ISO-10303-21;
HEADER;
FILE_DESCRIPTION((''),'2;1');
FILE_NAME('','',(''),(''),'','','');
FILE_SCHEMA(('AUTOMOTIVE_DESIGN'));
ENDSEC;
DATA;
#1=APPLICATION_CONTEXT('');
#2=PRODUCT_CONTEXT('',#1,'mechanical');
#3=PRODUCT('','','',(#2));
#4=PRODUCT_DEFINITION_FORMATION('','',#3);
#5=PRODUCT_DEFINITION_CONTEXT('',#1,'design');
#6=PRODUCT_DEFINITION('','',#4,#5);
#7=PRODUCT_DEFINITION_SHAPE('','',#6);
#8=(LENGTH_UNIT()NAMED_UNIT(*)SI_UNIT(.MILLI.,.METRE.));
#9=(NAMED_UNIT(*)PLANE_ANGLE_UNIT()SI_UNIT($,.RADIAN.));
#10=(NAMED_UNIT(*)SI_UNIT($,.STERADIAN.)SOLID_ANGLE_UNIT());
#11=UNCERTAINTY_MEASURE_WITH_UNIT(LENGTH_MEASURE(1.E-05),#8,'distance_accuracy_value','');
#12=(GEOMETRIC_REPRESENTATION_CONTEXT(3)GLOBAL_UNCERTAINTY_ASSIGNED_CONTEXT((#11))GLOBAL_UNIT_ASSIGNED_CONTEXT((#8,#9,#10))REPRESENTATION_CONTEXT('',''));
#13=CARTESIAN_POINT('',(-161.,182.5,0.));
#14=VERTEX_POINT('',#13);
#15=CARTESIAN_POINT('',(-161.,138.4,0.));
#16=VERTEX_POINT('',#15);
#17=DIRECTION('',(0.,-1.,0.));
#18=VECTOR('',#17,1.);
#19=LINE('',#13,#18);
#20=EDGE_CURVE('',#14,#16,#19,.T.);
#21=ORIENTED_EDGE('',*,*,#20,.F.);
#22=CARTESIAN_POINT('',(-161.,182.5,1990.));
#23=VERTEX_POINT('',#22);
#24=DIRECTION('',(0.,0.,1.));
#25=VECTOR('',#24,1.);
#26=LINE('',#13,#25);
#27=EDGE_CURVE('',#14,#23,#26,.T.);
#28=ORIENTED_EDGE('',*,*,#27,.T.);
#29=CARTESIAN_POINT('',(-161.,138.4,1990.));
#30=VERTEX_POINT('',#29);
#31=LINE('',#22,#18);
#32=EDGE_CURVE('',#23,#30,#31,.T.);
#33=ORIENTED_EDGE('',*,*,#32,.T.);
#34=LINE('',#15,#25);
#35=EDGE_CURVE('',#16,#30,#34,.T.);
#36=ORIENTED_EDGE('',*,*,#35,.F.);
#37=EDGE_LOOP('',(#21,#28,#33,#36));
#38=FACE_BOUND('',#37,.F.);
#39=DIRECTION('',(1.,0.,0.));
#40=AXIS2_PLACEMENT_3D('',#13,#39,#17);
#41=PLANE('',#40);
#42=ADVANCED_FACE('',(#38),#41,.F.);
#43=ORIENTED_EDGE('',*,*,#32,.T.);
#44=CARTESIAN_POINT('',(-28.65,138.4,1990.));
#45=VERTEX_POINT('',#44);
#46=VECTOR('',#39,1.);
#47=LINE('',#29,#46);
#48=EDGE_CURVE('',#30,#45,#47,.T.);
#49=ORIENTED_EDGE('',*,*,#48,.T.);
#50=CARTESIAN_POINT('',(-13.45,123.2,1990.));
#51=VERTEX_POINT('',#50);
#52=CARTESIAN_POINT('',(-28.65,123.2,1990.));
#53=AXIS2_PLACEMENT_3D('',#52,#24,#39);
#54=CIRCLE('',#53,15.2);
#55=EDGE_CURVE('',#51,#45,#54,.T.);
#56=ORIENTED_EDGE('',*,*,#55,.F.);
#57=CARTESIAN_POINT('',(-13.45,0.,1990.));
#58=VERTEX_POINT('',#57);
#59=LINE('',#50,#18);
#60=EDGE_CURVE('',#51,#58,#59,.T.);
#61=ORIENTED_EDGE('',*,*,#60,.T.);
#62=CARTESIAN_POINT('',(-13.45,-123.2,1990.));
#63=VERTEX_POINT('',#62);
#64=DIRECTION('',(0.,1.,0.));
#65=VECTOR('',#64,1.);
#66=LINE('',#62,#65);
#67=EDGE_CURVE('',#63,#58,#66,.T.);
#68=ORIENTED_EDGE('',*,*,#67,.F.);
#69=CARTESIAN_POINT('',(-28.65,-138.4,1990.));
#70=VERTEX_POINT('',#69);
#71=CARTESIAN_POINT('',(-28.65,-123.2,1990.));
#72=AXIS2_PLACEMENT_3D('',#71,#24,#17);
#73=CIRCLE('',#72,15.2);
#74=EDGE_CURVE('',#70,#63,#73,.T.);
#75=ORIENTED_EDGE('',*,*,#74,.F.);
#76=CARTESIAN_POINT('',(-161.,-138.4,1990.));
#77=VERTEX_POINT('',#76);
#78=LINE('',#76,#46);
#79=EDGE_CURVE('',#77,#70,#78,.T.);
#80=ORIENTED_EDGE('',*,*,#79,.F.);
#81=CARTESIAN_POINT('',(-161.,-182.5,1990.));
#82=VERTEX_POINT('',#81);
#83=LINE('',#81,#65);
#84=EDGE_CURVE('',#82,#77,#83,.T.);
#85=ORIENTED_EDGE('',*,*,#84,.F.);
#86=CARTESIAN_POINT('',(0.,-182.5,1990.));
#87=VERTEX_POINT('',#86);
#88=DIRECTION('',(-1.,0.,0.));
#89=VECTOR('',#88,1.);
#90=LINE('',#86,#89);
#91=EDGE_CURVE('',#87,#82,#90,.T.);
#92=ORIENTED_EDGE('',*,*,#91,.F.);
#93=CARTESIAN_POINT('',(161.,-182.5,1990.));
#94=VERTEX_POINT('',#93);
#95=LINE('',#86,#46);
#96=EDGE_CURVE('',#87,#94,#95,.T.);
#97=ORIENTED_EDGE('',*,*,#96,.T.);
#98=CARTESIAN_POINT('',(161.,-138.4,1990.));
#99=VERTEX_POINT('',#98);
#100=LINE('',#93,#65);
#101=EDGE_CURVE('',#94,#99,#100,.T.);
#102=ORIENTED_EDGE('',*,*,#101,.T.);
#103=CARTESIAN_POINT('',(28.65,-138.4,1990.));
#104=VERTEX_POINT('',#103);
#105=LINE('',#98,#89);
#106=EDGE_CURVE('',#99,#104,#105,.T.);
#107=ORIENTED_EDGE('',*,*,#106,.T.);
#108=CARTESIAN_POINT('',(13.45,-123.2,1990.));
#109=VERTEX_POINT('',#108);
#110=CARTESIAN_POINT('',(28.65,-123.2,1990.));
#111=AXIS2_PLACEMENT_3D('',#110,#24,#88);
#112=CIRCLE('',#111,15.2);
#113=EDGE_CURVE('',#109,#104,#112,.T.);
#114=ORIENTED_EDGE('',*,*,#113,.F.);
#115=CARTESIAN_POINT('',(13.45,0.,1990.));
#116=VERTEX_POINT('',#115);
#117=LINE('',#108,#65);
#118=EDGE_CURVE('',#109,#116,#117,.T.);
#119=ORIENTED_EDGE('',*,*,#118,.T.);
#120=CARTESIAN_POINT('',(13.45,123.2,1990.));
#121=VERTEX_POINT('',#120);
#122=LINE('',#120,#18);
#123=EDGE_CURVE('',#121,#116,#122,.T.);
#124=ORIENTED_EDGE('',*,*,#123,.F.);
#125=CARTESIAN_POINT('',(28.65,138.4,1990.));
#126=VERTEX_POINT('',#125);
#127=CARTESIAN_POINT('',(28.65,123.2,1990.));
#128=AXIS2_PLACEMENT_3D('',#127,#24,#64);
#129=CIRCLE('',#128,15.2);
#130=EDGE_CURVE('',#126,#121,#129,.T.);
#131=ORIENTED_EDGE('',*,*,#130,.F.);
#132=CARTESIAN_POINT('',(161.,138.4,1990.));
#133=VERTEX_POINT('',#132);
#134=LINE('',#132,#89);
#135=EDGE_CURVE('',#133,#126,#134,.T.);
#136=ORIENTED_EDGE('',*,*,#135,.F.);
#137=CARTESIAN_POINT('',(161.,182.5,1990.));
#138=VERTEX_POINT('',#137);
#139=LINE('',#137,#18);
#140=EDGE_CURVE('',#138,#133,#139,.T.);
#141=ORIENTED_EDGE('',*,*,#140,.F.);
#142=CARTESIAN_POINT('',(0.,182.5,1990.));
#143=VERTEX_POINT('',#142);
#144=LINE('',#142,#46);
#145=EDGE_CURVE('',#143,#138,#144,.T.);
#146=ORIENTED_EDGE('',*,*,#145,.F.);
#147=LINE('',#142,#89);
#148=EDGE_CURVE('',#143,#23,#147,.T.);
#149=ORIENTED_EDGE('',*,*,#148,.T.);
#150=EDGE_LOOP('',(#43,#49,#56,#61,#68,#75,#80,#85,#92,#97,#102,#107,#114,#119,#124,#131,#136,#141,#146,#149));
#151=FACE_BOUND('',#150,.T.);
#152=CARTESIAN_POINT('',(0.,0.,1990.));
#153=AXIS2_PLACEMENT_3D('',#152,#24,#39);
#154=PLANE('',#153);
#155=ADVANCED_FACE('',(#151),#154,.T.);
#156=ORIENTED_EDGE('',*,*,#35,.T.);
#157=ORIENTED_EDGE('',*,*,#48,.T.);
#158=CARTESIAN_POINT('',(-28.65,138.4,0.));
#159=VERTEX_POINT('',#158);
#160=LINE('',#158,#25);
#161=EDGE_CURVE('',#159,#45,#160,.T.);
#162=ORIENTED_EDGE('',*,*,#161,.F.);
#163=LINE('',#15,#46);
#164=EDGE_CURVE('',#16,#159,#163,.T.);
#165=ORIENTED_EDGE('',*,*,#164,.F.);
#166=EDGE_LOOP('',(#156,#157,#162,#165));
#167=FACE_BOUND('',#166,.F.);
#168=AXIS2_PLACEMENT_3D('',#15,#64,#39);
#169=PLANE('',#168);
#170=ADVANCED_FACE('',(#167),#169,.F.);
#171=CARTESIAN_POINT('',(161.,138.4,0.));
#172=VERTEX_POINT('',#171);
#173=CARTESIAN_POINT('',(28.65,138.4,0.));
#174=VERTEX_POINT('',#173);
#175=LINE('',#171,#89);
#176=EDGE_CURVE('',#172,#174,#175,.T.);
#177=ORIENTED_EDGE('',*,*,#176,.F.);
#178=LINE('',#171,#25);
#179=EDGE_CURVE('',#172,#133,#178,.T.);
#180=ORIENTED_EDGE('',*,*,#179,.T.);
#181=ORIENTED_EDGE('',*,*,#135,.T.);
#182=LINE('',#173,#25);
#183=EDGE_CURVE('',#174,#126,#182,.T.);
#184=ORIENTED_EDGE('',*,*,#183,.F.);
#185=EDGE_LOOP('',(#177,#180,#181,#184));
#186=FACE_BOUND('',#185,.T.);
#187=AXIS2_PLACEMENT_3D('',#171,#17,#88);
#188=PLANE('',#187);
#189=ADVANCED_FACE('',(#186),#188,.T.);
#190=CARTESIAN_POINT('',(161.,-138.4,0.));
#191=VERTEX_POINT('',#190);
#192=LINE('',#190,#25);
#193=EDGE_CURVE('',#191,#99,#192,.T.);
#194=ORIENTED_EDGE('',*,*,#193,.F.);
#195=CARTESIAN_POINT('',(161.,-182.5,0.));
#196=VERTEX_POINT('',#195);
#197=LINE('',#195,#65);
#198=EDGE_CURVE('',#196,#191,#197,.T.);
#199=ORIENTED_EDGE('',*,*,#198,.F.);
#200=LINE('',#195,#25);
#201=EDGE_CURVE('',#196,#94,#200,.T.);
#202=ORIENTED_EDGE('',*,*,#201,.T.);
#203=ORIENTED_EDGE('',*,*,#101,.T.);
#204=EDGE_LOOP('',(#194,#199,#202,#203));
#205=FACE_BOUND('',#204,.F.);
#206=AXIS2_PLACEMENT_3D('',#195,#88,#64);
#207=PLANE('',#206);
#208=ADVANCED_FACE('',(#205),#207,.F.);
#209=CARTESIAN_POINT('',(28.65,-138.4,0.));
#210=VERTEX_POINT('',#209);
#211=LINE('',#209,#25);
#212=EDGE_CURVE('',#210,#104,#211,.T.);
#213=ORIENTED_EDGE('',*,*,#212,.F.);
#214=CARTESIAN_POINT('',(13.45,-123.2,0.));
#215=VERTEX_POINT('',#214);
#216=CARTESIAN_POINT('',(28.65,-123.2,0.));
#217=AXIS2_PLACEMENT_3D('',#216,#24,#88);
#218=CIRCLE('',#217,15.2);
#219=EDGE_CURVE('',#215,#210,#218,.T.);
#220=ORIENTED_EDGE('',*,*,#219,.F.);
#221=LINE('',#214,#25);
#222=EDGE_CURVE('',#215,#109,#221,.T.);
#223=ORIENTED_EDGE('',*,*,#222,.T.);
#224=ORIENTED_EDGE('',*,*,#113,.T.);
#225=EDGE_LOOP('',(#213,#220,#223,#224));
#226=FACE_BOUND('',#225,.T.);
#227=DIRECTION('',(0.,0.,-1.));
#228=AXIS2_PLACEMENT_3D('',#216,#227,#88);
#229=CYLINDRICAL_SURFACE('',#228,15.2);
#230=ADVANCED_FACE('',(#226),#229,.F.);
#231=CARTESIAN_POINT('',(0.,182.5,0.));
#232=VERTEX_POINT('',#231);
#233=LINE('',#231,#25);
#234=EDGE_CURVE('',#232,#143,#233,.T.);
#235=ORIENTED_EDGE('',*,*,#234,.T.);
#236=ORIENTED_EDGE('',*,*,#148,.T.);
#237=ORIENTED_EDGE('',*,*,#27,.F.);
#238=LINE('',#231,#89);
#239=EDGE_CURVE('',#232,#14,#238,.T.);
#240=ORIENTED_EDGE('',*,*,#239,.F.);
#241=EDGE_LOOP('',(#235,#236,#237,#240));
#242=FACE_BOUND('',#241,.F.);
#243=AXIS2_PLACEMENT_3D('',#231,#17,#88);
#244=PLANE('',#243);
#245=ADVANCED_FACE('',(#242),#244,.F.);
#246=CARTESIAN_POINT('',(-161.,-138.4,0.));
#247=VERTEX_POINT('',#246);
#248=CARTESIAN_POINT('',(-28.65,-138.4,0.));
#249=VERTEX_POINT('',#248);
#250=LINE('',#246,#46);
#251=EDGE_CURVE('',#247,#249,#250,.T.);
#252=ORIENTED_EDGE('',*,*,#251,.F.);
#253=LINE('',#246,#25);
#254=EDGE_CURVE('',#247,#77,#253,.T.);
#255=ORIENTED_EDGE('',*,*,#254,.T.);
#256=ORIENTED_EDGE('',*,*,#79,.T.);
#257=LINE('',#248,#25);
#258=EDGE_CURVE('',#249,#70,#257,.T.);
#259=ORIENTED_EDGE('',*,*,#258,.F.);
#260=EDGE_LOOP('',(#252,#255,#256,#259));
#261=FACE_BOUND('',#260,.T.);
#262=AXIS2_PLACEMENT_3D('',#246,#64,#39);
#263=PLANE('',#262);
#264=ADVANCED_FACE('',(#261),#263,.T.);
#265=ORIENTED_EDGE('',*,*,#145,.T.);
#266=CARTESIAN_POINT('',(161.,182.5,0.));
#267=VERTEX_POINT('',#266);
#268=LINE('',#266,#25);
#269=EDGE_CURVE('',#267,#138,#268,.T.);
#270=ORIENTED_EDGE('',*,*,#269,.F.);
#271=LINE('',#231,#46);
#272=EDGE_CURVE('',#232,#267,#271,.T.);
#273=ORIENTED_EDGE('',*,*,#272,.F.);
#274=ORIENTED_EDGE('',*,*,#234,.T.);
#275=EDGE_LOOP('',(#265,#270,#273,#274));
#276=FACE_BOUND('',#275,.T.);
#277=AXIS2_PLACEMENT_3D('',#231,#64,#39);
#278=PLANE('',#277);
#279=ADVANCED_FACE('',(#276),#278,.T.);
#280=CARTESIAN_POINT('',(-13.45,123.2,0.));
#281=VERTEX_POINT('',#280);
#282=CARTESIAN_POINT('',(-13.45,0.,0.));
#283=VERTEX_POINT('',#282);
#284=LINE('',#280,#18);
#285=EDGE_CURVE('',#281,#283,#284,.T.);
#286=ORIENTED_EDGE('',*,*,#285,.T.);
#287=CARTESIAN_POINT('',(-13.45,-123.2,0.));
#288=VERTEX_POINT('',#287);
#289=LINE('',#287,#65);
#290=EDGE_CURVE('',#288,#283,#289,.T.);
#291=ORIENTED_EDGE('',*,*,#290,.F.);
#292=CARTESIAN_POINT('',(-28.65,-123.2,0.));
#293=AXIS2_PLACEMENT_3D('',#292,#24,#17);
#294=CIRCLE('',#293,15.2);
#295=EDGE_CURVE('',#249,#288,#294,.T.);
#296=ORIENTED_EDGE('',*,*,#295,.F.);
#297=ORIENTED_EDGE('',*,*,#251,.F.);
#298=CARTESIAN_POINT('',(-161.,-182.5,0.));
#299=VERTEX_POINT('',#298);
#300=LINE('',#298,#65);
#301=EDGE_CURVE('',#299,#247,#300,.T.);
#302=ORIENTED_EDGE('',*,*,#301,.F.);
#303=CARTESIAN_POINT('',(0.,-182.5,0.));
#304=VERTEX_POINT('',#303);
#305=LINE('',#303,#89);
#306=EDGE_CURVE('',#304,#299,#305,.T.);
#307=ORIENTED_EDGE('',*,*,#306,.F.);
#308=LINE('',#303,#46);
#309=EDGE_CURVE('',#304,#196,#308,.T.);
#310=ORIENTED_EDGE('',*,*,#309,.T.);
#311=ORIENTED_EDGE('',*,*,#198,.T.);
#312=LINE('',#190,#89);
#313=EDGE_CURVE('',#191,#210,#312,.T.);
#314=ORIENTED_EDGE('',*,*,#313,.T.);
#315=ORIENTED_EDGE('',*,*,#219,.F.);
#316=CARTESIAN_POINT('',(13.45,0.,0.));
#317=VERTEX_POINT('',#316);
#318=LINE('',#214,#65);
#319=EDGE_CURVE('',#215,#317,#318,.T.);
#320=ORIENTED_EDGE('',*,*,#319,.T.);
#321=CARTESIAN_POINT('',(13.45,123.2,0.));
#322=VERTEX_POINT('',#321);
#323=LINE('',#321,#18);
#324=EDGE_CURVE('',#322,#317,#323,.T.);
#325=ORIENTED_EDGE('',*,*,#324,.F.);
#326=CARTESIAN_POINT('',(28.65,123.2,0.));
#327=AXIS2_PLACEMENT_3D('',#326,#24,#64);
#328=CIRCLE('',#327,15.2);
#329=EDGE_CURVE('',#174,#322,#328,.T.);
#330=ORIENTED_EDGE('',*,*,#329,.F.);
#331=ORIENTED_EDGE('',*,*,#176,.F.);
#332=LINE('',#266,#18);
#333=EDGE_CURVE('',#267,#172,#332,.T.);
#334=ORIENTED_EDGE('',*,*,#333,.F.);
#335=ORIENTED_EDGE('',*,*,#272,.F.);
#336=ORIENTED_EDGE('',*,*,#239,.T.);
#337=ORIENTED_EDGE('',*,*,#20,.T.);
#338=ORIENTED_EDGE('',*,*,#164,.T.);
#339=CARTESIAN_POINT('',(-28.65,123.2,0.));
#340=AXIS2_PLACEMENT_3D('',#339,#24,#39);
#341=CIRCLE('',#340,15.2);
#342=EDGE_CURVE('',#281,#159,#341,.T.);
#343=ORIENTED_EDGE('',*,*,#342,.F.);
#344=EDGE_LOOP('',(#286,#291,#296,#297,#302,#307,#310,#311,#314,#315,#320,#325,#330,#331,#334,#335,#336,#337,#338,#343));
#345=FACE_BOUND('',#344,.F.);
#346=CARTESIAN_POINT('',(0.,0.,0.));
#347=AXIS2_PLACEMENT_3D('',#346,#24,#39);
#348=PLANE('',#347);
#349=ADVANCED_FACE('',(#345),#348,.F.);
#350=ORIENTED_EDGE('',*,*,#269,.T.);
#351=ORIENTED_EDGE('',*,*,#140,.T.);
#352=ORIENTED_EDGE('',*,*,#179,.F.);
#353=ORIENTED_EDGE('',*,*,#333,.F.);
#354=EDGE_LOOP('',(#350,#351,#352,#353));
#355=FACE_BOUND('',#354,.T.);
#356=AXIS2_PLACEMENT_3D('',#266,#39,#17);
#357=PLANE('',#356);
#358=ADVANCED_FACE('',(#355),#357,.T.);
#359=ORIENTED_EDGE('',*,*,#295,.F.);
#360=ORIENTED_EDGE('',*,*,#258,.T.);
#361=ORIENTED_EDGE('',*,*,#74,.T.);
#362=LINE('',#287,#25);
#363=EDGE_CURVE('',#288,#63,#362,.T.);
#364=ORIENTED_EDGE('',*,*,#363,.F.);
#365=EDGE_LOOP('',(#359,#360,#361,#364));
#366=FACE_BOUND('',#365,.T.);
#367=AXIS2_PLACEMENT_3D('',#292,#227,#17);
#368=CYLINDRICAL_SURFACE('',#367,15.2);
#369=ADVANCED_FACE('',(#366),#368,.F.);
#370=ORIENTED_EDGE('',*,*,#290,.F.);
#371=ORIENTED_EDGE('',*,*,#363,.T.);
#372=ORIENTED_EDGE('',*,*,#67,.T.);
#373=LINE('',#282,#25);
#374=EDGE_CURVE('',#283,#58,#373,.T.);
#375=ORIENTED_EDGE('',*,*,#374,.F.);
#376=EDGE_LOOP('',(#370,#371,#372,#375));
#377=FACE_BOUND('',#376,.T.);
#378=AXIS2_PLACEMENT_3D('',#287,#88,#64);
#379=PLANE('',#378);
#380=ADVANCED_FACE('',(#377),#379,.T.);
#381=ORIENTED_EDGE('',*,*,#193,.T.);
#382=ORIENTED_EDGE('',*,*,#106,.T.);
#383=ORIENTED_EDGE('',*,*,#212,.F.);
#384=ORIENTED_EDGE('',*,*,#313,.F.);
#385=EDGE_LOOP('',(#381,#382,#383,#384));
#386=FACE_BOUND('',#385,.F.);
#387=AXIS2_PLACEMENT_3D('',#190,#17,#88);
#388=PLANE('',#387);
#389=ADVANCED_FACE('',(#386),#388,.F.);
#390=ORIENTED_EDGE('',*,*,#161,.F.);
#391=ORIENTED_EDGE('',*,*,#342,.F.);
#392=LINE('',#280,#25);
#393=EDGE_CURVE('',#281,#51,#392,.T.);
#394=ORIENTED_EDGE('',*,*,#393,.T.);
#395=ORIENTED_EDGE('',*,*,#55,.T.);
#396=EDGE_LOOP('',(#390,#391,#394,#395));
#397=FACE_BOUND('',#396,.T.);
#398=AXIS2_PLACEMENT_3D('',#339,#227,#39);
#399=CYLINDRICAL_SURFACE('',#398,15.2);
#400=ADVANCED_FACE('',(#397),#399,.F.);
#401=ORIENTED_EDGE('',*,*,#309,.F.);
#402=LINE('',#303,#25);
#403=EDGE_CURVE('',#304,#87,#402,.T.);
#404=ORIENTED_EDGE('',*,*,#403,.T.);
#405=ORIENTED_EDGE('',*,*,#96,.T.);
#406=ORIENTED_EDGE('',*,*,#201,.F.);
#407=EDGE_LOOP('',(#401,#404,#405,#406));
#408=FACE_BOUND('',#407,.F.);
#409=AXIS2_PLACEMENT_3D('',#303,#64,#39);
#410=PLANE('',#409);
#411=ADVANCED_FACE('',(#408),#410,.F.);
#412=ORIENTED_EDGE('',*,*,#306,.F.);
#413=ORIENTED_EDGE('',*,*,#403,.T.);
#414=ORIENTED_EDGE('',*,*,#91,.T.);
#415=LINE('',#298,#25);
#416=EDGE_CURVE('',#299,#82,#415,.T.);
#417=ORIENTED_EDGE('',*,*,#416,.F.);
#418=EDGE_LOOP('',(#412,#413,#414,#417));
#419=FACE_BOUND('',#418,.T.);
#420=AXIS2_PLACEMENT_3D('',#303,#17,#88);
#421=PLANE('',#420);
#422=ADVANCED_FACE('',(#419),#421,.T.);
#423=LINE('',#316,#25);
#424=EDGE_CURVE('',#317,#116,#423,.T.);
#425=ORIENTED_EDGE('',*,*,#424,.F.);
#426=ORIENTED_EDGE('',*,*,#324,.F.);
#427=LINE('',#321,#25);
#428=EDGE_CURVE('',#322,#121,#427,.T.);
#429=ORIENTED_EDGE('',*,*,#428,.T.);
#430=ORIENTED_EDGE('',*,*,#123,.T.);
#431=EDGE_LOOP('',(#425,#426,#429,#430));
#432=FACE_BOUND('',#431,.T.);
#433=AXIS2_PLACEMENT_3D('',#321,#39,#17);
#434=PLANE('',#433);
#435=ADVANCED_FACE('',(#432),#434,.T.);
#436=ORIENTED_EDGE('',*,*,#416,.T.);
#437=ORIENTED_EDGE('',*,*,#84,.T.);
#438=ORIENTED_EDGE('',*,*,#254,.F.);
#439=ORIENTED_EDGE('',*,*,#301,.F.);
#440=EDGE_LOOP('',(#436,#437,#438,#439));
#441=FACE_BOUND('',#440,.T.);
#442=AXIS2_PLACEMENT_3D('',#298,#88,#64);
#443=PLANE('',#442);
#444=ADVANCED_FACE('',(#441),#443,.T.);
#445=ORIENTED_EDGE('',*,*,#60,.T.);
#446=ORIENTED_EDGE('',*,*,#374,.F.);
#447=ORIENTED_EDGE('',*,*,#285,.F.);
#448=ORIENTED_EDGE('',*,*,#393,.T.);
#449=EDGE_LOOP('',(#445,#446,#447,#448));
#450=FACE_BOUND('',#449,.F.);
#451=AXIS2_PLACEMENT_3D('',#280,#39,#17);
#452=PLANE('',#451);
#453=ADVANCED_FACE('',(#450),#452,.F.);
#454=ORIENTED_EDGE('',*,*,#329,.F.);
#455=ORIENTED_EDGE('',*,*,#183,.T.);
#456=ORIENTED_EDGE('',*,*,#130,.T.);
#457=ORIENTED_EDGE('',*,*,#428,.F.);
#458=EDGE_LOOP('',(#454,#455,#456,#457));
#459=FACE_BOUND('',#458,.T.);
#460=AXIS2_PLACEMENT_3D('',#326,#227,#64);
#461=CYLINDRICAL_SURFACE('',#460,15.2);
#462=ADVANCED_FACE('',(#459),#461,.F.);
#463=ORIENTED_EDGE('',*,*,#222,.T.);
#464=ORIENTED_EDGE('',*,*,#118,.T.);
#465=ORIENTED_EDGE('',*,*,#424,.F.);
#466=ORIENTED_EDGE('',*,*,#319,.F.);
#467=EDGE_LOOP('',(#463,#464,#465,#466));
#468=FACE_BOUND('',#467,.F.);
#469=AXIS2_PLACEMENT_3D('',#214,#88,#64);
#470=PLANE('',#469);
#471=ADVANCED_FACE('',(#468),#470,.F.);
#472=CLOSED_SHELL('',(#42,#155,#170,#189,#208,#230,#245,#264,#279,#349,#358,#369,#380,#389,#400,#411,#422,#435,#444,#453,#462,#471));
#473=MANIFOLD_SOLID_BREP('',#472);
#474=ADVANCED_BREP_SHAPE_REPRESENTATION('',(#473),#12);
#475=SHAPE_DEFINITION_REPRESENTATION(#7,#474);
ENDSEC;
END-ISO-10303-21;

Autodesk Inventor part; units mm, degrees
ref_plane "YZ Plane" through (0, 0, 0) normal (1, 0, 0) x (0, 1, 0)
ref_plane "Start plane" through (0, 0, 0) normal (0, 0, 1) x (1, 0, 0)
ref_plane "End plane" through (0, 0, 1990) normal (0, 0, 1) x (1, 0, 0)
sketch "Sketch" plane through (0, 0, 0) normal (0, 0, 1) x (1, 0, 0)
  line L0 (-161, -182.5) -> (-161, -138.4)
  line L1 (-161, -138.4) -> (-28.65, -138.4)
  line L2 (-13.45, -123.2) -> (-13.45, 0)
  line L3 (-13.45, 0) -> (0, 0) construction
  line L4 (0, 0) -> (0, -182.5) construction
  line L5 (0, -182.5) -> (-161, -182.5)
  line L6 (-60, 0) -> (80, 0) construction
  line L7 (0, -60) -> (0, 80) construction
  line L8 (161, -182.5) -> (161, -138.4)
  line L9 (161, -138.4) -> (28.65, -138.4)
  line L10 (13.45, -123.2) -> (13.45, 0)
  line L11 (13.45, 0) -> (0, 0) construction
  line L12 (0, -182.5) -> (161, -182.5)
  line L13 (-161, 182.5) -> (-161, 138.4)
  line L14 (-161, 138.4) -> (-28.65, 138.4)
  line L15 (-13.45, 123.2) -> (-13.45, 0)
  line L16 (0, 182.5) -> (-161, 182.5)
  line L17 (161, 182.5) -> (161, 138.4)
  line L18 (161, 138.4) -> (28.65, 138.4)
  line L19 (0, 182.5) -> (161, 182.5)
  line L20 (13.45, 123.2) -> (13.45, 0)
  arc A0 (-13.45, 123.2) -> (-28.65, 138.4) centre (-28.65, 123.2) ccw
  arc A1 (28.65, 138.4) -> (13.45, 123.2) centre (28.65, 123.2) ccw
  arc A2 (13.45, -123.2) -> (28.65, -138.4) centre (28.65, -123.2) ccw
  arc A3 (-28.65, -138.4) -> (-13.45, -123.2) centre (-28.65, -123.2) ccw
  line L21 (0, 108) -> (0, -88) construction
  line L22 (-88, 0) -> (108, 0) construction
  point P0 (-13.45, -138.4)
  point P1 (13.45, -138.4)
  point P2 (-13.45, 138.4)
  point P3 (13.45, 138.4)
  dimension "d1" = 182.5
  dimension "d2" = 44.1
  dimension "d3" = 161
  dimension "d4" = 13.45
  dimension "d10" = 15.2
extrude "Body" add sketch "Sketch" along normal up to surface (1990 mm away) from surface at 0
sketch "Sketch4" plane through (0, 0, 0) normal (0, 0, 1) x (1, 0, 0)
  line L0 (0, 0) -> (10, 0)
ref_plane "Work Plane3" through (0, 0, 0) normal (0, -1, 0) x (1, 0, 0)
sketch "Sketch5" plane through (0, 0, 0) normal (0, -1, 0) x (1, 0, 0)
  line L0 (-2, 0) -> (12, 0) projected
  line L1 (-2, 1990) -> (12, 1990) projected
  dimension "d14" = 1990
equation "\"d1\" = 0.5 * G_H"
equation "\"d2\" = G_T1"
equation "\"d3\" = 0.5 * G_W"
equation "\"d4\" = 0.5 * G_T"
equation "\"d10\" = G_IR"
equation "\"d5\" = G_L"
equation "\"G_W\" = 322"
equation "\"G_H\" = 365"
equation "\"G_T\" = 26.9"
equation "\"G_T1\" = 44.1"
equation "\"G_IR\" = 15.2"
equation "\"G_L\" = d14"
equation "\"G_OFFSET_START\" = 0"
equation "\"G_OFFSET_END\" = 0"
properties part number "AS 3679 - 310 UC - 283 - 1990" material "Steel, Mild"
